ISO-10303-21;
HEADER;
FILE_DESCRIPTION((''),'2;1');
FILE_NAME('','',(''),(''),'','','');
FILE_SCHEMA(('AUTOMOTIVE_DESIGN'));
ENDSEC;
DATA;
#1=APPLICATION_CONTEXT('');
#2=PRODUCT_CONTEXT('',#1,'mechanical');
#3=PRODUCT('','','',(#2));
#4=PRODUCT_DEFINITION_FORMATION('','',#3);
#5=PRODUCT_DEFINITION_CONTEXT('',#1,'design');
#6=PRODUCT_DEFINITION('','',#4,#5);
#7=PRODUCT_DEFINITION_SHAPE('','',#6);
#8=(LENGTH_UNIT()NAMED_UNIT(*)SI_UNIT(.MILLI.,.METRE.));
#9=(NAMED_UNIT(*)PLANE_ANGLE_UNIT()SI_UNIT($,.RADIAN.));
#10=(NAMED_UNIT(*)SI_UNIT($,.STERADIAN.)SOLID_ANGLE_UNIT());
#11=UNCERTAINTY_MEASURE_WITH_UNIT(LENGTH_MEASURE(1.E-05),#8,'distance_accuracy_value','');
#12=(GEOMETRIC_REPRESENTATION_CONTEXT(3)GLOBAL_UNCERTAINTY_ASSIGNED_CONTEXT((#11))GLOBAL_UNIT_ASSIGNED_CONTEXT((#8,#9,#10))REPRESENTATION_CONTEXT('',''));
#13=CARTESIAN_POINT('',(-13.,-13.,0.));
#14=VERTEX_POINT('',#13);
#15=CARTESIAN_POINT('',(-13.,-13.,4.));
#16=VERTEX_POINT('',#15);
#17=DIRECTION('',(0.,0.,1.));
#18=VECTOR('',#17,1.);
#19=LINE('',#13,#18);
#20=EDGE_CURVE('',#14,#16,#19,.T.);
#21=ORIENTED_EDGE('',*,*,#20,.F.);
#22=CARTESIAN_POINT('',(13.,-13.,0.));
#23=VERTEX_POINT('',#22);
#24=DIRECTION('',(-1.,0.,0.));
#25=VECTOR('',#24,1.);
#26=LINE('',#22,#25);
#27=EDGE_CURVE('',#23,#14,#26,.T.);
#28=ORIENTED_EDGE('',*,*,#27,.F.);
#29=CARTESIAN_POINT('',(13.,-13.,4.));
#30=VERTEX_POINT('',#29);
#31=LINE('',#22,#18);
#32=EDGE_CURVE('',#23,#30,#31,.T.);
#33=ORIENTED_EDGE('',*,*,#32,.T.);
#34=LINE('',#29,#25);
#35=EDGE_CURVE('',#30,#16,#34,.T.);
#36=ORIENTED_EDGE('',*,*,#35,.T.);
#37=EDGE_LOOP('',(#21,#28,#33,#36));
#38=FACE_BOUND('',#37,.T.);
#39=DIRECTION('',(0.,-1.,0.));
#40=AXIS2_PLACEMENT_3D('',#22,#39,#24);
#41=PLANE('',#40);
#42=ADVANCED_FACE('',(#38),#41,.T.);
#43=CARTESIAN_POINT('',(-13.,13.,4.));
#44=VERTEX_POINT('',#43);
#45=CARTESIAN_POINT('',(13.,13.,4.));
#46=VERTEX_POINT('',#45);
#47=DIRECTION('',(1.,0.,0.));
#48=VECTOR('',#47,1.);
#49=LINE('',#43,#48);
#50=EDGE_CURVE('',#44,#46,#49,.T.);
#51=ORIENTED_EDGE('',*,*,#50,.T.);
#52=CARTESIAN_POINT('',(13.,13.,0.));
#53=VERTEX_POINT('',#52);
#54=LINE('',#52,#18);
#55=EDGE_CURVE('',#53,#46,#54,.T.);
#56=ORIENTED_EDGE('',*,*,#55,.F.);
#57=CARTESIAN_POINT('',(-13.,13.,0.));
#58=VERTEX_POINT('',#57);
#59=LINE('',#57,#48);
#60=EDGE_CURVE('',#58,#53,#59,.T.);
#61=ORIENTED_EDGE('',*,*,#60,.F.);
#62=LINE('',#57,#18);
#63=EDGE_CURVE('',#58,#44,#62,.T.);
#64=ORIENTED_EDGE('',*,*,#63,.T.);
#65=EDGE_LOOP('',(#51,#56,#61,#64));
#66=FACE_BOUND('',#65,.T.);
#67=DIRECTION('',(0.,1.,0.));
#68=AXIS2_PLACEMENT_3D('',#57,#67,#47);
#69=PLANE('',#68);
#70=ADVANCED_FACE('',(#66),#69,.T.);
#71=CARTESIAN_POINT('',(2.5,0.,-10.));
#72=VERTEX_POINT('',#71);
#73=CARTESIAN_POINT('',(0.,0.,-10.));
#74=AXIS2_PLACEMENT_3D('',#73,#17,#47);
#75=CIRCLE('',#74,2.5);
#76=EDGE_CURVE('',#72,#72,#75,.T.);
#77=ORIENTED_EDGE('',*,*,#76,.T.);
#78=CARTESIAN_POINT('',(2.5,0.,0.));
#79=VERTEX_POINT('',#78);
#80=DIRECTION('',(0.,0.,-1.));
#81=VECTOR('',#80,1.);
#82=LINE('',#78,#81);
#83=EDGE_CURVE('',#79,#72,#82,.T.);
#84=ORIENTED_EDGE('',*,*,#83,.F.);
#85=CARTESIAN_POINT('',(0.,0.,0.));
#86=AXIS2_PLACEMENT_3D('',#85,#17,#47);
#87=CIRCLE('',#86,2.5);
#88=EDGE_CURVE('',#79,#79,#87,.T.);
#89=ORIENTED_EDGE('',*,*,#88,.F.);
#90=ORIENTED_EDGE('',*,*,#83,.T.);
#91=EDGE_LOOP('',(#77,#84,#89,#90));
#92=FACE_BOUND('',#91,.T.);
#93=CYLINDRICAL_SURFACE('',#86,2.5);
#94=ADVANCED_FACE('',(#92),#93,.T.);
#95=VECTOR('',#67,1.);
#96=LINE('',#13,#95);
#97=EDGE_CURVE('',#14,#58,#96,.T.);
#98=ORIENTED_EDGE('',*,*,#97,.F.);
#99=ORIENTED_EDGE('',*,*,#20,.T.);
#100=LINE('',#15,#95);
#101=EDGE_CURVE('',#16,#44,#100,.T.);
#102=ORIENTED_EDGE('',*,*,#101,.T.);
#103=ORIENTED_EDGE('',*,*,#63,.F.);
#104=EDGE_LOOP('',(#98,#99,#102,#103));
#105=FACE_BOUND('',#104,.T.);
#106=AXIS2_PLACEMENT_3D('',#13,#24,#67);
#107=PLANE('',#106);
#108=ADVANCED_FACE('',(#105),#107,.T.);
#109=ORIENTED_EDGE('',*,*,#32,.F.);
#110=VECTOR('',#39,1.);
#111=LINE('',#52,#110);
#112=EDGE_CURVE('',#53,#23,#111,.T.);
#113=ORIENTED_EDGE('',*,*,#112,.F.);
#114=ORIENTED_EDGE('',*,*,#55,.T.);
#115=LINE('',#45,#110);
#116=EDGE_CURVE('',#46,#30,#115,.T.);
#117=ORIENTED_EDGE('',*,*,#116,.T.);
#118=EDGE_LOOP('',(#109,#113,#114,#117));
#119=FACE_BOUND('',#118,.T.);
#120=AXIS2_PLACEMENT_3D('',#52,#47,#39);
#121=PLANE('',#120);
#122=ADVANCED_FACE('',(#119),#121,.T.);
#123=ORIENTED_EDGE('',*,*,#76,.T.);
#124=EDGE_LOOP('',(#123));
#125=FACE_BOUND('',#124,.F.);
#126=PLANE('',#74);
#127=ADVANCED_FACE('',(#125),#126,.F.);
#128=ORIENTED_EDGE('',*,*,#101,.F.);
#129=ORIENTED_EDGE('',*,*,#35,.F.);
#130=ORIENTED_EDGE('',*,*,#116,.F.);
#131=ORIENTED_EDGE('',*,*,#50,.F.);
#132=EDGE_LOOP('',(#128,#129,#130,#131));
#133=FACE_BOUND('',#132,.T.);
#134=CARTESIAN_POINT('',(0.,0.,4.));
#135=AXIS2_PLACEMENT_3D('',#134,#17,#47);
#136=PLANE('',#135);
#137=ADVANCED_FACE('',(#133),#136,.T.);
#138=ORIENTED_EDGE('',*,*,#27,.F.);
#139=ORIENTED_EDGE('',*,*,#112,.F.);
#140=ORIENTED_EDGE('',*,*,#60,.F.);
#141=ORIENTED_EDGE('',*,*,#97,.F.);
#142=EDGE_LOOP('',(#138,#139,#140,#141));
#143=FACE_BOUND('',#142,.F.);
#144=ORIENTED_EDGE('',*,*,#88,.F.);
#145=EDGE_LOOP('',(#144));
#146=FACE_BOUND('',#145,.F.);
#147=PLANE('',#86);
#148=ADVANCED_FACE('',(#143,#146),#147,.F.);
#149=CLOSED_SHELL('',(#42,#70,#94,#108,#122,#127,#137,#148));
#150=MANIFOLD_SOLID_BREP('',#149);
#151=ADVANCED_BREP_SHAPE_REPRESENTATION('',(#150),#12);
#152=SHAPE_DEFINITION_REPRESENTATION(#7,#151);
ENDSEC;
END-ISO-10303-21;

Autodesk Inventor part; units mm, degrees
ref_plane "YZ Plane" through (0, 0, 0) normal (1, 0, 0) x (0, 1, 0)
ref_plane "XZ Plane" through (0, 0, 0) normal (0, 1, 0) x (-1, 0, 0)
ref_plane "XY Plane" through (0, 0, 0) normal (0, 0, 1) x (1, 0, 0)
sketch "Sketch1" plane through (0, 0, 0) normal (0, 0, 1) x (1, 0, 0)
  circle A0 centre (0, 0) radius 2.5
  line L0 (-13, 13) -> (13, 13)
  line L1 (13, 13) -> (13, -13)
  line L2 (13, -13) -> (-13, -13)
  line L3 (-13, -13) -> (-13, 13)
  line L4 (-13, 13) -> (13, -13) construction
  line L5 (13, 13) -> (-13, -13) construction
  dimension "d0" = 5
  dimension "d1" = 26
  dimension "d2" = 26
extrude "Extrusion1" add sketch "Sketch1" against normal blind 10 contours A0
extrude "Extrusion2" add sketch "Sketch1" along normal blind 4 contours A0 | L0 L1 L2 L3
properties part number "corredor"
